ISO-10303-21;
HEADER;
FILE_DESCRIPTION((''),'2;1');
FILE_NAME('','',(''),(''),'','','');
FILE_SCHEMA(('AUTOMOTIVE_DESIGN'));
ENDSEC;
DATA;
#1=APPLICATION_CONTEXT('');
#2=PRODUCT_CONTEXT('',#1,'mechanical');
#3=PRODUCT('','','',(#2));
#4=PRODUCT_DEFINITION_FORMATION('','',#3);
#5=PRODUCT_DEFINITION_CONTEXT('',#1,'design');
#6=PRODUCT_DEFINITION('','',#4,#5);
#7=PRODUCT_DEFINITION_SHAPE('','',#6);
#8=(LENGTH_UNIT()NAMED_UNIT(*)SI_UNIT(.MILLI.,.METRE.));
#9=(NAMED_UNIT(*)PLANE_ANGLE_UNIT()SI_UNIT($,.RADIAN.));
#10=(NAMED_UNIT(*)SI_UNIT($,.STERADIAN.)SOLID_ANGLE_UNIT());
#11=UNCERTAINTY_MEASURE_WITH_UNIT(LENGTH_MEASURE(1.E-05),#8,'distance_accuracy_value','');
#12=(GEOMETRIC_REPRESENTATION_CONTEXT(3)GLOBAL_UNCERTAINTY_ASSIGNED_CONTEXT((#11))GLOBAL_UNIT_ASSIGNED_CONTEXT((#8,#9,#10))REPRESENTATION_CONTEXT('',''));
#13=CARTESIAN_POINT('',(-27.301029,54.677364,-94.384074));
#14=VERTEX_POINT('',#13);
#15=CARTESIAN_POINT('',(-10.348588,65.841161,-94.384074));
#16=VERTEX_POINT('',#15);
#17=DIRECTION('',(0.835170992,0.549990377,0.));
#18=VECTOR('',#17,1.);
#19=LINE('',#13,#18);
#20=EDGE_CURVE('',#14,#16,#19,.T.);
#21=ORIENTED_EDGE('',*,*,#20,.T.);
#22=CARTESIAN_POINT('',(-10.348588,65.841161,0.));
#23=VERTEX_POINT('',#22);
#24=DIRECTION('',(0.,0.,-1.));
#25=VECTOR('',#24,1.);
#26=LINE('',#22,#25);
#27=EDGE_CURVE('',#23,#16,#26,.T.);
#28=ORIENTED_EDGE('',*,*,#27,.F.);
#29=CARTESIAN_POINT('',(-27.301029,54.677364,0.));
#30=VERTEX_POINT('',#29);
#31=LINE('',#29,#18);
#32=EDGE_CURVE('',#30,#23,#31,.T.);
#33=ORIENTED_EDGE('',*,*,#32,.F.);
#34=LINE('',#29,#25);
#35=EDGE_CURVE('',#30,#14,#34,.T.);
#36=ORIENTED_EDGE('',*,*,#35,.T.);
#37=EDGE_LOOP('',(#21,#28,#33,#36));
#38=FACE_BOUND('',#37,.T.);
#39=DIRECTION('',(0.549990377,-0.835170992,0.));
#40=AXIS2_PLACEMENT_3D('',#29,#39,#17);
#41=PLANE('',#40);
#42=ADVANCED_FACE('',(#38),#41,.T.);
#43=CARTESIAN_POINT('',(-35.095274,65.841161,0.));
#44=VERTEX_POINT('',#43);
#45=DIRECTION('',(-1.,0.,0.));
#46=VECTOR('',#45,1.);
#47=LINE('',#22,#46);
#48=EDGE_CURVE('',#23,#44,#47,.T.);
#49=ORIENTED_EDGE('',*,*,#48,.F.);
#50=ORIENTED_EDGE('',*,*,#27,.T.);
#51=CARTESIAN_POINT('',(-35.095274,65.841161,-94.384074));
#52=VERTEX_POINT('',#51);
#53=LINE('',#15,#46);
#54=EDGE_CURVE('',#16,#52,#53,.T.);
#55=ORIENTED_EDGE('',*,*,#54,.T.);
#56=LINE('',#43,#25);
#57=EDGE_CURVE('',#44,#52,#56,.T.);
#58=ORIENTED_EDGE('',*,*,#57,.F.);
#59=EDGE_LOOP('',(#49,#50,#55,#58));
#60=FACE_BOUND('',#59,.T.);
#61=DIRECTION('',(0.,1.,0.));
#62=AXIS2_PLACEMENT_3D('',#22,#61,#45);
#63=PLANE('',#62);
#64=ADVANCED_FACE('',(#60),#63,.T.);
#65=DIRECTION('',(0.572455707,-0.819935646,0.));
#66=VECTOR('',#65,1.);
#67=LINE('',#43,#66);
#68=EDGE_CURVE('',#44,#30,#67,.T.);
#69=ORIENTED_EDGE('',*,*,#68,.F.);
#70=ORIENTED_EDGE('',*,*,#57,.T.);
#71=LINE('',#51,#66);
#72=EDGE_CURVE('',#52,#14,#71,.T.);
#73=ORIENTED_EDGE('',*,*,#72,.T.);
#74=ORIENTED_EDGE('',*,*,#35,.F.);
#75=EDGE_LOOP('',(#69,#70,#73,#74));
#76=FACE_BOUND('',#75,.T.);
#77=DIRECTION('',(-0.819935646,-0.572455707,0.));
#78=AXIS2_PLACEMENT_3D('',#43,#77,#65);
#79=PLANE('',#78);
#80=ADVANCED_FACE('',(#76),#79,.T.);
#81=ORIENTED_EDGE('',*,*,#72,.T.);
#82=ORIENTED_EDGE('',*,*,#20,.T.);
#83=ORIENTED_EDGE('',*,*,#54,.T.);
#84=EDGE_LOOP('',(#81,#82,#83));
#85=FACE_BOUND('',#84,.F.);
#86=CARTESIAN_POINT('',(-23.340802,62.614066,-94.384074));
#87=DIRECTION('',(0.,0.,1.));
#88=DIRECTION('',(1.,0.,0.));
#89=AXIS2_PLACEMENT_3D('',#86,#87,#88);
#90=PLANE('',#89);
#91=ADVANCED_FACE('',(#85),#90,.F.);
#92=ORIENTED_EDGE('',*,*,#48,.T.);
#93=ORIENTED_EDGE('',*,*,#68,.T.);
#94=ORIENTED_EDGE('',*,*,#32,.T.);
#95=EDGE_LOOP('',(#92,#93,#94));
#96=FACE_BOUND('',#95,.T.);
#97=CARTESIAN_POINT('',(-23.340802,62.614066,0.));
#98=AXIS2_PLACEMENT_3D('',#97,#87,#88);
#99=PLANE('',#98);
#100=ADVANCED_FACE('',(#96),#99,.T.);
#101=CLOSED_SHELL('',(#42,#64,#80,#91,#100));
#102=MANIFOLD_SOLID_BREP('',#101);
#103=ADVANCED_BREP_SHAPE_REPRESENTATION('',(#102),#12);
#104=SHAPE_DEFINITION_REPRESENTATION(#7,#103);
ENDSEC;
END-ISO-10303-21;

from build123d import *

# Parameters (mm, degrees)
F1_DEPTH = 94.384074


with BuildPart() as f1:
    # F0 (on Top) → F1 (new body)
    with BuildSketch(Plane.XY):
        Polygon((-35.095274, 65.841161), (-27.301029, 54.677364), (-10.348588, 65.841161), align=None)
    extrude(amount=-F1_DEPTH)


solid = f1.part
